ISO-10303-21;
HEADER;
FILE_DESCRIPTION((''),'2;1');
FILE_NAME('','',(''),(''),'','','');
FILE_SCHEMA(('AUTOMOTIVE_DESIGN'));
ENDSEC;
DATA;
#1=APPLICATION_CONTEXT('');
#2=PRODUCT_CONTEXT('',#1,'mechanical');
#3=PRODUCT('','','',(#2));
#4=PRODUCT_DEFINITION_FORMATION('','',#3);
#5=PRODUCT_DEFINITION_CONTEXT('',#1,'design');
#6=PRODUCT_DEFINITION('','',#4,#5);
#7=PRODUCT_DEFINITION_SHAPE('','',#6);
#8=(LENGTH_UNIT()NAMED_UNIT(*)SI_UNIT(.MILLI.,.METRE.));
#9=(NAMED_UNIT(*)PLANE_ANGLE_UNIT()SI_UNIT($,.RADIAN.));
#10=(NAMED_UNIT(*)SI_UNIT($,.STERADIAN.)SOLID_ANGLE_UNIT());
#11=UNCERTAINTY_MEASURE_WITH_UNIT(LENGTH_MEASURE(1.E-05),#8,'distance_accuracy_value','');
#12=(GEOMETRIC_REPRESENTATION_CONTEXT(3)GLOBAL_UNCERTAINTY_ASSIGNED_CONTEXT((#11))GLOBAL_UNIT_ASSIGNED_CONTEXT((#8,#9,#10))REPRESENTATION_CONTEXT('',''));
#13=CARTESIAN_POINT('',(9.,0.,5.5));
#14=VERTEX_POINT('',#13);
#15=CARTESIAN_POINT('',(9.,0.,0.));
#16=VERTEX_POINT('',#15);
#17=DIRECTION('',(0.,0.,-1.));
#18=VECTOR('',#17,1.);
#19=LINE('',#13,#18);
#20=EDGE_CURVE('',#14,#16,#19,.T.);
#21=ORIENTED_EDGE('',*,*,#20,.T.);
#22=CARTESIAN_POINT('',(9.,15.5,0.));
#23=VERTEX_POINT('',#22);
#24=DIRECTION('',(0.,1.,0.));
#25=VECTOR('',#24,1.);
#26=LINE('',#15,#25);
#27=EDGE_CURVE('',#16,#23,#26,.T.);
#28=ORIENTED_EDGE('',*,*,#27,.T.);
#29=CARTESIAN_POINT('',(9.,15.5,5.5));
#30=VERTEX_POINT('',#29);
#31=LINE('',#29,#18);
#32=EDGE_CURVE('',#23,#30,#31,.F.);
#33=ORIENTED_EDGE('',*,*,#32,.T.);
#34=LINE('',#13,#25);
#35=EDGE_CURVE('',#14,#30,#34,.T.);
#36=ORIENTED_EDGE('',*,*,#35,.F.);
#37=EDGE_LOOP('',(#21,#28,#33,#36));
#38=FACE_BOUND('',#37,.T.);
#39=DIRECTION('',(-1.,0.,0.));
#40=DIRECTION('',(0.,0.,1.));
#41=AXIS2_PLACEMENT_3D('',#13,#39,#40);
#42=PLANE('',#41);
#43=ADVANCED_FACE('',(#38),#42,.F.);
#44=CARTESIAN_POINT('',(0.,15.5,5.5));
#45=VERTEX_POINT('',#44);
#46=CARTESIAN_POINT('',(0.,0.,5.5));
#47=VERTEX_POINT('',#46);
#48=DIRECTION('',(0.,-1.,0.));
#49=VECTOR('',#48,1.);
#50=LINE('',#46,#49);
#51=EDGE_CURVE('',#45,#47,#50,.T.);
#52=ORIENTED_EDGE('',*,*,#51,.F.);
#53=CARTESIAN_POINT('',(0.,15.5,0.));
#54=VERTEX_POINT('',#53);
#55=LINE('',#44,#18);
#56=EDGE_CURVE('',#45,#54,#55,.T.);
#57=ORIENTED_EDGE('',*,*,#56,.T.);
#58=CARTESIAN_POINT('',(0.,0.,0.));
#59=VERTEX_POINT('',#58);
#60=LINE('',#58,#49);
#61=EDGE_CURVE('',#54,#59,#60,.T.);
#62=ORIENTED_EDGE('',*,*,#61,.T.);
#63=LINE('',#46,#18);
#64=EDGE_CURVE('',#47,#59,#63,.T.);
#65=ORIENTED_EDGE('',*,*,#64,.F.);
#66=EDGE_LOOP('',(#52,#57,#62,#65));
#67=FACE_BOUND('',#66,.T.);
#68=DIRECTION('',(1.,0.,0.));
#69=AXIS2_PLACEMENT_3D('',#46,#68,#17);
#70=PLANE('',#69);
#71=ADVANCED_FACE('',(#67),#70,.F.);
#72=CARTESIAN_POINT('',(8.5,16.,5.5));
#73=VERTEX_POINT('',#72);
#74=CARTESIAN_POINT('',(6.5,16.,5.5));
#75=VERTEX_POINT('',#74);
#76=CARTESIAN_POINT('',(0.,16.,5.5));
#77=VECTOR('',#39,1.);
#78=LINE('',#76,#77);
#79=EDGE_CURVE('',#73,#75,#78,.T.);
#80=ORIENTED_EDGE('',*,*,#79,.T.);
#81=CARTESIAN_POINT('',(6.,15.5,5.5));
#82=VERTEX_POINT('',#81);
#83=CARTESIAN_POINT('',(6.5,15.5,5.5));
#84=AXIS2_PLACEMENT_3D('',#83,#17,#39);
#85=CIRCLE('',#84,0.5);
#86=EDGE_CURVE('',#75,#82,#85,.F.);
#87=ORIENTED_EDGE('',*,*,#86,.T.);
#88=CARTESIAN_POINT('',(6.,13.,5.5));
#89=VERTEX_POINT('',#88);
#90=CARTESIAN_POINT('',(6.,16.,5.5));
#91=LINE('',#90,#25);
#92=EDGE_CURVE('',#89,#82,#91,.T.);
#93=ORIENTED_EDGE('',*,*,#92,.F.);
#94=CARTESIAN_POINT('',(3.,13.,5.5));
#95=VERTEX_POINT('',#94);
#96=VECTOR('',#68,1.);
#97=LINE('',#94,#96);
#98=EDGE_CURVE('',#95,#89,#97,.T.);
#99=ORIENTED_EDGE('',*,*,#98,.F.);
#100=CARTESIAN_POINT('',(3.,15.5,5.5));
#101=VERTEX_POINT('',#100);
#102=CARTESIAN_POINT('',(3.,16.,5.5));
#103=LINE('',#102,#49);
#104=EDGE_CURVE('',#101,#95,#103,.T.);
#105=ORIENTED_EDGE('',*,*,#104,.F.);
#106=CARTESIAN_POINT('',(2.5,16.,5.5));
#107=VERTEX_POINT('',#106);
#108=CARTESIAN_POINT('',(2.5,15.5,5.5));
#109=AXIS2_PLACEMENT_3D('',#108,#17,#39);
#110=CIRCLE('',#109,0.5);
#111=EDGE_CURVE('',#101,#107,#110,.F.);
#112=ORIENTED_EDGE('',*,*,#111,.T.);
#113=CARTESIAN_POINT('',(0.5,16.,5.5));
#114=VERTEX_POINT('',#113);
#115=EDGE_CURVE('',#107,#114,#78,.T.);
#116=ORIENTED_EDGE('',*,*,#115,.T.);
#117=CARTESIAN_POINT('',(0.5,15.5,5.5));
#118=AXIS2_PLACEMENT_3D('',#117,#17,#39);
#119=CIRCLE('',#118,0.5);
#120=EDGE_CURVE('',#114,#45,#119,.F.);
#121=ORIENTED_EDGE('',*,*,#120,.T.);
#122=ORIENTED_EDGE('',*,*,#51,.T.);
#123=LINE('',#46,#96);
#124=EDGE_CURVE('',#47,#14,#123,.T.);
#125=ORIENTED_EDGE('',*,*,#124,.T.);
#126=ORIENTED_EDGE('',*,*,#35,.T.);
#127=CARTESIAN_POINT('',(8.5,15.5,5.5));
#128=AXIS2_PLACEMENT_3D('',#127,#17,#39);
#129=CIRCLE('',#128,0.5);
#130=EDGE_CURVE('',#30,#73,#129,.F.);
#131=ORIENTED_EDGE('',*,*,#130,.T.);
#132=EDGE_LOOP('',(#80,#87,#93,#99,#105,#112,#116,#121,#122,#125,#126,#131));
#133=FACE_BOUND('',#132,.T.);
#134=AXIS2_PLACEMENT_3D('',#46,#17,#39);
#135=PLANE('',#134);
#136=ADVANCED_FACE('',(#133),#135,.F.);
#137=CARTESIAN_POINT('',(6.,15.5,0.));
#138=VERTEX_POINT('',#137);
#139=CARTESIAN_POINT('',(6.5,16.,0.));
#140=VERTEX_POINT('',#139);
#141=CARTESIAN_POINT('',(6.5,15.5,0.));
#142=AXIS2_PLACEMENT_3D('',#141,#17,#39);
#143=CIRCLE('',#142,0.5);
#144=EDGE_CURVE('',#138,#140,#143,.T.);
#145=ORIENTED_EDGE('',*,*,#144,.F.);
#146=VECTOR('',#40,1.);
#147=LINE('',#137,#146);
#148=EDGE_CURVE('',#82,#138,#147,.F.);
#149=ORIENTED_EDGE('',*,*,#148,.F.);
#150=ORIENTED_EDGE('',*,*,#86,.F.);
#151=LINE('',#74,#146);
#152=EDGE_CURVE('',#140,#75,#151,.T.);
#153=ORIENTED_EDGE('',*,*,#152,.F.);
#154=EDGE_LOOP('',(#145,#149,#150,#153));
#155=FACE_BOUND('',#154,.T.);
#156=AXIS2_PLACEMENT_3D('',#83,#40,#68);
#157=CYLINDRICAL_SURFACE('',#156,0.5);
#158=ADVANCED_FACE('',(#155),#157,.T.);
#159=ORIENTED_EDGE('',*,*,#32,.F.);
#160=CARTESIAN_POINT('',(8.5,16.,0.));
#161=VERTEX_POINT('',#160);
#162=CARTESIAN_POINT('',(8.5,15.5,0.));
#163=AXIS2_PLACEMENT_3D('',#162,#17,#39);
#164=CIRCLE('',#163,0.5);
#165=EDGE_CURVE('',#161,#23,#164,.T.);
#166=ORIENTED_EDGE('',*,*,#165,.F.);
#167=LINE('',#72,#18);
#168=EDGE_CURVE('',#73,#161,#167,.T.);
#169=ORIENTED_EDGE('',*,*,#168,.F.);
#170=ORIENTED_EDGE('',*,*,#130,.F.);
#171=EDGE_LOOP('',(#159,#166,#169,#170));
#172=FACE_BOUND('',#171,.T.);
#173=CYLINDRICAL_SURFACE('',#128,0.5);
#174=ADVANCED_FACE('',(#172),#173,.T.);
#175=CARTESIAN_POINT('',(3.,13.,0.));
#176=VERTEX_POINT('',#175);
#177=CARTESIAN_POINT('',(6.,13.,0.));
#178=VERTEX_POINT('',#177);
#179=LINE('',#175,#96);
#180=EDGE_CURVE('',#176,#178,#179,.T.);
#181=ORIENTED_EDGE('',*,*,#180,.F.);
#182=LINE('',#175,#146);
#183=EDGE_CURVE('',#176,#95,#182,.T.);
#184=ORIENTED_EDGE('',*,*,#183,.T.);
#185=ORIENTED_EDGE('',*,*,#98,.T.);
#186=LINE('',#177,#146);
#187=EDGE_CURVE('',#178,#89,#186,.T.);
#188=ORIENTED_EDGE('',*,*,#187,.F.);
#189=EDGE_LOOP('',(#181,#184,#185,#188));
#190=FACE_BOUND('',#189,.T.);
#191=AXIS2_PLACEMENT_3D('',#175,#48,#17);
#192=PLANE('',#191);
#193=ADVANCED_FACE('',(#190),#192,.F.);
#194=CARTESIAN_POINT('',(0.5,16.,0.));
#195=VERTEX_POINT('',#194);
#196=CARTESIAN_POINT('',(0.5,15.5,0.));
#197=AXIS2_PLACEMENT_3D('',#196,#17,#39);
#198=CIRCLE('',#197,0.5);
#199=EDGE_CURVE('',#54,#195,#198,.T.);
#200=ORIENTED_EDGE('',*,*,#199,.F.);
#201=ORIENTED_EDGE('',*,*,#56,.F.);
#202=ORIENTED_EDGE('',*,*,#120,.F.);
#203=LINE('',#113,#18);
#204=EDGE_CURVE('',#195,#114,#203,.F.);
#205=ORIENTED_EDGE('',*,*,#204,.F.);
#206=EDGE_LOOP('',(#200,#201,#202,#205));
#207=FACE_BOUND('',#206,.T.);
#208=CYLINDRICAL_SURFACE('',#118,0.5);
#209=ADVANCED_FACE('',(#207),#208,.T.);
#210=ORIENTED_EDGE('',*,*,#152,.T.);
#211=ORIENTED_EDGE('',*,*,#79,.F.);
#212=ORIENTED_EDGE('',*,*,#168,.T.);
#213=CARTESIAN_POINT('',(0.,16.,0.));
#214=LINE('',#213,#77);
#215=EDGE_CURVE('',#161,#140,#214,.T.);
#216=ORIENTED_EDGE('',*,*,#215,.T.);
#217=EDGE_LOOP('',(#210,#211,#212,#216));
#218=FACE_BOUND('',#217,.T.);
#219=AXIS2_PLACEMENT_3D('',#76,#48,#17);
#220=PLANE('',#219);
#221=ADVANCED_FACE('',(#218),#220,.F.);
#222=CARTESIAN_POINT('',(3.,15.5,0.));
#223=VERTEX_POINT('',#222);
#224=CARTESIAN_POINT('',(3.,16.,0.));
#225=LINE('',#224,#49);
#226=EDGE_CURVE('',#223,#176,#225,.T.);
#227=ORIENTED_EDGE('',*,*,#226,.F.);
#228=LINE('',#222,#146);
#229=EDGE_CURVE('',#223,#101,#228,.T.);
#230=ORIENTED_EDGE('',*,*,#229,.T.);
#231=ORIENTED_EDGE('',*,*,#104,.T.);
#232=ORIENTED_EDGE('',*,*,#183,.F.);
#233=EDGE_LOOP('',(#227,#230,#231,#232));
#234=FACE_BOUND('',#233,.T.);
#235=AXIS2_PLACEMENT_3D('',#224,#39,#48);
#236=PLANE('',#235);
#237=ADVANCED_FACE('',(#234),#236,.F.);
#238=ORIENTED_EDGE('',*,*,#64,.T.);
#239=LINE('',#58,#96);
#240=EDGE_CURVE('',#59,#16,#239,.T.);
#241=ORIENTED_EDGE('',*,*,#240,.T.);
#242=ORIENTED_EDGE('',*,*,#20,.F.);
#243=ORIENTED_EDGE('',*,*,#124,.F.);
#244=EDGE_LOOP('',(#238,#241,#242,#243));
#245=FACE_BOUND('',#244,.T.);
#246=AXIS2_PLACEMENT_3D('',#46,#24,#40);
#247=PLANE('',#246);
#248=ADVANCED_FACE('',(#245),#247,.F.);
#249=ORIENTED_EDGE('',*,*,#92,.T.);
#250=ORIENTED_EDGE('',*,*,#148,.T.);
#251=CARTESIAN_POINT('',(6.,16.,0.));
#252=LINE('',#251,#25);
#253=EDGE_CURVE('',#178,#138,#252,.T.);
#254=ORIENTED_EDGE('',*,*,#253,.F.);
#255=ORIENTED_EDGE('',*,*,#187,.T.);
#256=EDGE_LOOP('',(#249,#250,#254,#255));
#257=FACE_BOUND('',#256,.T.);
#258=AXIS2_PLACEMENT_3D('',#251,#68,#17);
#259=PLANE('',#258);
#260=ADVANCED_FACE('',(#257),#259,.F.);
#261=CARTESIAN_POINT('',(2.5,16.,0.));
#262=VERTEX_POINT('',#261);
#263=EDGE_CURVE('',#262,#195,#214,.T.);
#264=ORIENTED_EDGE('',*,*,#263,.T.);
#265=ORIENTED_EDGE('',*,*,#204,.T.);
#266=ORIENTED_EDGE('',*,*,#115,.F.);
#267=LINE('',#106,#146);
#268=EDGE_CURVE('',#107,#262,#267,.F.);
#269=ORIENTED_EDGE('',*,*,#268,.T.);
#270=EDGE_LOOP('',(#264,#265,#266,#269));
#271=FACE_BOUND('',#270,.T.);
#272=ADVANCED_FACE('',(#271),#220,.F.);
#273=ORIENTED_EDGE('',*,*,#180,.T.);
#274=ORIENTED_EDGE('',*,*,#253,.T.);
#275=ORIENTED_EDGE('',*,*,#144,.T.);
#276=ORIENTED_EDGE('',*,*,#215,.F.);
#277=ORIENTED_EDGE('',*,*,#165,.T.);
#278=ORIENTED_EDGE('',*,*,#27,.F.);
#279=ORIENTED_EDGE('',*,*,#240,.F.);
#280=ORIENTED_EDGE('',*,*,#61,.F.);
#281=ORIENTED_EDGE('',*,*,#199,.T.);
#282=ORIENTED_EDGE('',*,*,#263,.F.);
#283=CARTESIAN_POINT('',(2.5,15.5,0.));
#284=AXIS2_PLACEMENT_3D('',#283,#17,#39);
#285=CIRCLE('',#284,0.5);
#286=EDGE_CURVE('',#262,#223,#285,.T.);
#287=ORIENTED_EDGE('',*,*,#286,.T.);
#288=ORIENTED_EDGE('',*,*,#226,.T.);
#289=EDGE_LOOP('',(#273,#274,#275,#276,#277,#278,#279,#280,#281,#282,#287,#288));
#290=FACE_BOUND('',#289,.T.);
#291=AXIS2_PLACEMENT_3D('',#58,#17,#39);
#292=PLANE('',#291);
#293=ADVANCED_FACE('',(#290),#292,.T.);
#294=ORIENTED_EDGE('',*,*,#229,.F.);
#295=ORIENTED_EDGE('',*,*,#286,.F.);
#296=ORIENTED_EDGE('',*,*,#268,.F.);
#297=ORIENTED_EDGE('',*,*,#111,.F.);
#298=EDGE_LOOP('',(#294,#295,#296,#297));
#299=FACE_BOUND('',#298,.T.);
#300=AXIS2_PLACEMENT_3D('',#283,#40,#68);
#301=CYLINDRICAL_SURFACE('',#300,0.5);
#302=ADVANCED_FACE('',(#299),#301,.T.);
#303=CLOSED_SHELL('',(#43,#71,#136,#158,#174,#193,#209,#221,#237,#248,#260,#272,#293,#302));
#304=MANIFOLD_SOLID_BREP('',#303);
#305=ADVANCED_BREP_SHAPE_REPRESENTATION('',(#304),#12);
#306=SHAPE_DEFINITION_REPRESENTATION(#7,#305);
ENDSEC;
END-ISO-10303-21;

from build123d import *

# Parameters (mm, degrees)
SKETCH_1_W          = 9
SKETCH_1_H          = 16
EXTRUDE_1_DEPTH     = 5.5
SKETCH_2_W          = 3
SKETCH_2_H          = 3
CUT_EXTRUDE_1_DEPTH = 20.163767897
FILLET_1_R          = 0.5


with BuildPart() as part:
    # ｽｹｯﾁ1 → ﾎﾞｽ - 押し出し1 (new body)
    with BuildSketch(Plane.XY):
        with Locations((4.5, 8)):
            Rectangle(SKETCH_1_W, SKETCH_1_H)
    extrude(amount=EXTRUDE_1_DEPTH)

    # ｽｹｯﾁ2 → ｶｯﾄ - 押し出し1 (cut, through all)
    with BuildSketch(Plane.XY.offset(5.5)):
        with Locations((4.5, 14.5)):
            Rectangle(SKETCH_2_W, SKETCH_2_H)
    extrude(amount=-CUT_EXTRUDE_1_DEPTH, mode=Mode.SUBTRACT)

    # ﾌｨﾚｯﾄ1
    fillet_1_edges = [part.edges().sort_by_distance(p)[0] for p in [
        (3, 16, 2.75),
        (6, 16, 2.75),
        (0, 16, 2.75),
        (9, 16, 2.75),
    ]]
    fillet(fillet_1_edges, radius=FILLET_1_R)


solid = part.part
